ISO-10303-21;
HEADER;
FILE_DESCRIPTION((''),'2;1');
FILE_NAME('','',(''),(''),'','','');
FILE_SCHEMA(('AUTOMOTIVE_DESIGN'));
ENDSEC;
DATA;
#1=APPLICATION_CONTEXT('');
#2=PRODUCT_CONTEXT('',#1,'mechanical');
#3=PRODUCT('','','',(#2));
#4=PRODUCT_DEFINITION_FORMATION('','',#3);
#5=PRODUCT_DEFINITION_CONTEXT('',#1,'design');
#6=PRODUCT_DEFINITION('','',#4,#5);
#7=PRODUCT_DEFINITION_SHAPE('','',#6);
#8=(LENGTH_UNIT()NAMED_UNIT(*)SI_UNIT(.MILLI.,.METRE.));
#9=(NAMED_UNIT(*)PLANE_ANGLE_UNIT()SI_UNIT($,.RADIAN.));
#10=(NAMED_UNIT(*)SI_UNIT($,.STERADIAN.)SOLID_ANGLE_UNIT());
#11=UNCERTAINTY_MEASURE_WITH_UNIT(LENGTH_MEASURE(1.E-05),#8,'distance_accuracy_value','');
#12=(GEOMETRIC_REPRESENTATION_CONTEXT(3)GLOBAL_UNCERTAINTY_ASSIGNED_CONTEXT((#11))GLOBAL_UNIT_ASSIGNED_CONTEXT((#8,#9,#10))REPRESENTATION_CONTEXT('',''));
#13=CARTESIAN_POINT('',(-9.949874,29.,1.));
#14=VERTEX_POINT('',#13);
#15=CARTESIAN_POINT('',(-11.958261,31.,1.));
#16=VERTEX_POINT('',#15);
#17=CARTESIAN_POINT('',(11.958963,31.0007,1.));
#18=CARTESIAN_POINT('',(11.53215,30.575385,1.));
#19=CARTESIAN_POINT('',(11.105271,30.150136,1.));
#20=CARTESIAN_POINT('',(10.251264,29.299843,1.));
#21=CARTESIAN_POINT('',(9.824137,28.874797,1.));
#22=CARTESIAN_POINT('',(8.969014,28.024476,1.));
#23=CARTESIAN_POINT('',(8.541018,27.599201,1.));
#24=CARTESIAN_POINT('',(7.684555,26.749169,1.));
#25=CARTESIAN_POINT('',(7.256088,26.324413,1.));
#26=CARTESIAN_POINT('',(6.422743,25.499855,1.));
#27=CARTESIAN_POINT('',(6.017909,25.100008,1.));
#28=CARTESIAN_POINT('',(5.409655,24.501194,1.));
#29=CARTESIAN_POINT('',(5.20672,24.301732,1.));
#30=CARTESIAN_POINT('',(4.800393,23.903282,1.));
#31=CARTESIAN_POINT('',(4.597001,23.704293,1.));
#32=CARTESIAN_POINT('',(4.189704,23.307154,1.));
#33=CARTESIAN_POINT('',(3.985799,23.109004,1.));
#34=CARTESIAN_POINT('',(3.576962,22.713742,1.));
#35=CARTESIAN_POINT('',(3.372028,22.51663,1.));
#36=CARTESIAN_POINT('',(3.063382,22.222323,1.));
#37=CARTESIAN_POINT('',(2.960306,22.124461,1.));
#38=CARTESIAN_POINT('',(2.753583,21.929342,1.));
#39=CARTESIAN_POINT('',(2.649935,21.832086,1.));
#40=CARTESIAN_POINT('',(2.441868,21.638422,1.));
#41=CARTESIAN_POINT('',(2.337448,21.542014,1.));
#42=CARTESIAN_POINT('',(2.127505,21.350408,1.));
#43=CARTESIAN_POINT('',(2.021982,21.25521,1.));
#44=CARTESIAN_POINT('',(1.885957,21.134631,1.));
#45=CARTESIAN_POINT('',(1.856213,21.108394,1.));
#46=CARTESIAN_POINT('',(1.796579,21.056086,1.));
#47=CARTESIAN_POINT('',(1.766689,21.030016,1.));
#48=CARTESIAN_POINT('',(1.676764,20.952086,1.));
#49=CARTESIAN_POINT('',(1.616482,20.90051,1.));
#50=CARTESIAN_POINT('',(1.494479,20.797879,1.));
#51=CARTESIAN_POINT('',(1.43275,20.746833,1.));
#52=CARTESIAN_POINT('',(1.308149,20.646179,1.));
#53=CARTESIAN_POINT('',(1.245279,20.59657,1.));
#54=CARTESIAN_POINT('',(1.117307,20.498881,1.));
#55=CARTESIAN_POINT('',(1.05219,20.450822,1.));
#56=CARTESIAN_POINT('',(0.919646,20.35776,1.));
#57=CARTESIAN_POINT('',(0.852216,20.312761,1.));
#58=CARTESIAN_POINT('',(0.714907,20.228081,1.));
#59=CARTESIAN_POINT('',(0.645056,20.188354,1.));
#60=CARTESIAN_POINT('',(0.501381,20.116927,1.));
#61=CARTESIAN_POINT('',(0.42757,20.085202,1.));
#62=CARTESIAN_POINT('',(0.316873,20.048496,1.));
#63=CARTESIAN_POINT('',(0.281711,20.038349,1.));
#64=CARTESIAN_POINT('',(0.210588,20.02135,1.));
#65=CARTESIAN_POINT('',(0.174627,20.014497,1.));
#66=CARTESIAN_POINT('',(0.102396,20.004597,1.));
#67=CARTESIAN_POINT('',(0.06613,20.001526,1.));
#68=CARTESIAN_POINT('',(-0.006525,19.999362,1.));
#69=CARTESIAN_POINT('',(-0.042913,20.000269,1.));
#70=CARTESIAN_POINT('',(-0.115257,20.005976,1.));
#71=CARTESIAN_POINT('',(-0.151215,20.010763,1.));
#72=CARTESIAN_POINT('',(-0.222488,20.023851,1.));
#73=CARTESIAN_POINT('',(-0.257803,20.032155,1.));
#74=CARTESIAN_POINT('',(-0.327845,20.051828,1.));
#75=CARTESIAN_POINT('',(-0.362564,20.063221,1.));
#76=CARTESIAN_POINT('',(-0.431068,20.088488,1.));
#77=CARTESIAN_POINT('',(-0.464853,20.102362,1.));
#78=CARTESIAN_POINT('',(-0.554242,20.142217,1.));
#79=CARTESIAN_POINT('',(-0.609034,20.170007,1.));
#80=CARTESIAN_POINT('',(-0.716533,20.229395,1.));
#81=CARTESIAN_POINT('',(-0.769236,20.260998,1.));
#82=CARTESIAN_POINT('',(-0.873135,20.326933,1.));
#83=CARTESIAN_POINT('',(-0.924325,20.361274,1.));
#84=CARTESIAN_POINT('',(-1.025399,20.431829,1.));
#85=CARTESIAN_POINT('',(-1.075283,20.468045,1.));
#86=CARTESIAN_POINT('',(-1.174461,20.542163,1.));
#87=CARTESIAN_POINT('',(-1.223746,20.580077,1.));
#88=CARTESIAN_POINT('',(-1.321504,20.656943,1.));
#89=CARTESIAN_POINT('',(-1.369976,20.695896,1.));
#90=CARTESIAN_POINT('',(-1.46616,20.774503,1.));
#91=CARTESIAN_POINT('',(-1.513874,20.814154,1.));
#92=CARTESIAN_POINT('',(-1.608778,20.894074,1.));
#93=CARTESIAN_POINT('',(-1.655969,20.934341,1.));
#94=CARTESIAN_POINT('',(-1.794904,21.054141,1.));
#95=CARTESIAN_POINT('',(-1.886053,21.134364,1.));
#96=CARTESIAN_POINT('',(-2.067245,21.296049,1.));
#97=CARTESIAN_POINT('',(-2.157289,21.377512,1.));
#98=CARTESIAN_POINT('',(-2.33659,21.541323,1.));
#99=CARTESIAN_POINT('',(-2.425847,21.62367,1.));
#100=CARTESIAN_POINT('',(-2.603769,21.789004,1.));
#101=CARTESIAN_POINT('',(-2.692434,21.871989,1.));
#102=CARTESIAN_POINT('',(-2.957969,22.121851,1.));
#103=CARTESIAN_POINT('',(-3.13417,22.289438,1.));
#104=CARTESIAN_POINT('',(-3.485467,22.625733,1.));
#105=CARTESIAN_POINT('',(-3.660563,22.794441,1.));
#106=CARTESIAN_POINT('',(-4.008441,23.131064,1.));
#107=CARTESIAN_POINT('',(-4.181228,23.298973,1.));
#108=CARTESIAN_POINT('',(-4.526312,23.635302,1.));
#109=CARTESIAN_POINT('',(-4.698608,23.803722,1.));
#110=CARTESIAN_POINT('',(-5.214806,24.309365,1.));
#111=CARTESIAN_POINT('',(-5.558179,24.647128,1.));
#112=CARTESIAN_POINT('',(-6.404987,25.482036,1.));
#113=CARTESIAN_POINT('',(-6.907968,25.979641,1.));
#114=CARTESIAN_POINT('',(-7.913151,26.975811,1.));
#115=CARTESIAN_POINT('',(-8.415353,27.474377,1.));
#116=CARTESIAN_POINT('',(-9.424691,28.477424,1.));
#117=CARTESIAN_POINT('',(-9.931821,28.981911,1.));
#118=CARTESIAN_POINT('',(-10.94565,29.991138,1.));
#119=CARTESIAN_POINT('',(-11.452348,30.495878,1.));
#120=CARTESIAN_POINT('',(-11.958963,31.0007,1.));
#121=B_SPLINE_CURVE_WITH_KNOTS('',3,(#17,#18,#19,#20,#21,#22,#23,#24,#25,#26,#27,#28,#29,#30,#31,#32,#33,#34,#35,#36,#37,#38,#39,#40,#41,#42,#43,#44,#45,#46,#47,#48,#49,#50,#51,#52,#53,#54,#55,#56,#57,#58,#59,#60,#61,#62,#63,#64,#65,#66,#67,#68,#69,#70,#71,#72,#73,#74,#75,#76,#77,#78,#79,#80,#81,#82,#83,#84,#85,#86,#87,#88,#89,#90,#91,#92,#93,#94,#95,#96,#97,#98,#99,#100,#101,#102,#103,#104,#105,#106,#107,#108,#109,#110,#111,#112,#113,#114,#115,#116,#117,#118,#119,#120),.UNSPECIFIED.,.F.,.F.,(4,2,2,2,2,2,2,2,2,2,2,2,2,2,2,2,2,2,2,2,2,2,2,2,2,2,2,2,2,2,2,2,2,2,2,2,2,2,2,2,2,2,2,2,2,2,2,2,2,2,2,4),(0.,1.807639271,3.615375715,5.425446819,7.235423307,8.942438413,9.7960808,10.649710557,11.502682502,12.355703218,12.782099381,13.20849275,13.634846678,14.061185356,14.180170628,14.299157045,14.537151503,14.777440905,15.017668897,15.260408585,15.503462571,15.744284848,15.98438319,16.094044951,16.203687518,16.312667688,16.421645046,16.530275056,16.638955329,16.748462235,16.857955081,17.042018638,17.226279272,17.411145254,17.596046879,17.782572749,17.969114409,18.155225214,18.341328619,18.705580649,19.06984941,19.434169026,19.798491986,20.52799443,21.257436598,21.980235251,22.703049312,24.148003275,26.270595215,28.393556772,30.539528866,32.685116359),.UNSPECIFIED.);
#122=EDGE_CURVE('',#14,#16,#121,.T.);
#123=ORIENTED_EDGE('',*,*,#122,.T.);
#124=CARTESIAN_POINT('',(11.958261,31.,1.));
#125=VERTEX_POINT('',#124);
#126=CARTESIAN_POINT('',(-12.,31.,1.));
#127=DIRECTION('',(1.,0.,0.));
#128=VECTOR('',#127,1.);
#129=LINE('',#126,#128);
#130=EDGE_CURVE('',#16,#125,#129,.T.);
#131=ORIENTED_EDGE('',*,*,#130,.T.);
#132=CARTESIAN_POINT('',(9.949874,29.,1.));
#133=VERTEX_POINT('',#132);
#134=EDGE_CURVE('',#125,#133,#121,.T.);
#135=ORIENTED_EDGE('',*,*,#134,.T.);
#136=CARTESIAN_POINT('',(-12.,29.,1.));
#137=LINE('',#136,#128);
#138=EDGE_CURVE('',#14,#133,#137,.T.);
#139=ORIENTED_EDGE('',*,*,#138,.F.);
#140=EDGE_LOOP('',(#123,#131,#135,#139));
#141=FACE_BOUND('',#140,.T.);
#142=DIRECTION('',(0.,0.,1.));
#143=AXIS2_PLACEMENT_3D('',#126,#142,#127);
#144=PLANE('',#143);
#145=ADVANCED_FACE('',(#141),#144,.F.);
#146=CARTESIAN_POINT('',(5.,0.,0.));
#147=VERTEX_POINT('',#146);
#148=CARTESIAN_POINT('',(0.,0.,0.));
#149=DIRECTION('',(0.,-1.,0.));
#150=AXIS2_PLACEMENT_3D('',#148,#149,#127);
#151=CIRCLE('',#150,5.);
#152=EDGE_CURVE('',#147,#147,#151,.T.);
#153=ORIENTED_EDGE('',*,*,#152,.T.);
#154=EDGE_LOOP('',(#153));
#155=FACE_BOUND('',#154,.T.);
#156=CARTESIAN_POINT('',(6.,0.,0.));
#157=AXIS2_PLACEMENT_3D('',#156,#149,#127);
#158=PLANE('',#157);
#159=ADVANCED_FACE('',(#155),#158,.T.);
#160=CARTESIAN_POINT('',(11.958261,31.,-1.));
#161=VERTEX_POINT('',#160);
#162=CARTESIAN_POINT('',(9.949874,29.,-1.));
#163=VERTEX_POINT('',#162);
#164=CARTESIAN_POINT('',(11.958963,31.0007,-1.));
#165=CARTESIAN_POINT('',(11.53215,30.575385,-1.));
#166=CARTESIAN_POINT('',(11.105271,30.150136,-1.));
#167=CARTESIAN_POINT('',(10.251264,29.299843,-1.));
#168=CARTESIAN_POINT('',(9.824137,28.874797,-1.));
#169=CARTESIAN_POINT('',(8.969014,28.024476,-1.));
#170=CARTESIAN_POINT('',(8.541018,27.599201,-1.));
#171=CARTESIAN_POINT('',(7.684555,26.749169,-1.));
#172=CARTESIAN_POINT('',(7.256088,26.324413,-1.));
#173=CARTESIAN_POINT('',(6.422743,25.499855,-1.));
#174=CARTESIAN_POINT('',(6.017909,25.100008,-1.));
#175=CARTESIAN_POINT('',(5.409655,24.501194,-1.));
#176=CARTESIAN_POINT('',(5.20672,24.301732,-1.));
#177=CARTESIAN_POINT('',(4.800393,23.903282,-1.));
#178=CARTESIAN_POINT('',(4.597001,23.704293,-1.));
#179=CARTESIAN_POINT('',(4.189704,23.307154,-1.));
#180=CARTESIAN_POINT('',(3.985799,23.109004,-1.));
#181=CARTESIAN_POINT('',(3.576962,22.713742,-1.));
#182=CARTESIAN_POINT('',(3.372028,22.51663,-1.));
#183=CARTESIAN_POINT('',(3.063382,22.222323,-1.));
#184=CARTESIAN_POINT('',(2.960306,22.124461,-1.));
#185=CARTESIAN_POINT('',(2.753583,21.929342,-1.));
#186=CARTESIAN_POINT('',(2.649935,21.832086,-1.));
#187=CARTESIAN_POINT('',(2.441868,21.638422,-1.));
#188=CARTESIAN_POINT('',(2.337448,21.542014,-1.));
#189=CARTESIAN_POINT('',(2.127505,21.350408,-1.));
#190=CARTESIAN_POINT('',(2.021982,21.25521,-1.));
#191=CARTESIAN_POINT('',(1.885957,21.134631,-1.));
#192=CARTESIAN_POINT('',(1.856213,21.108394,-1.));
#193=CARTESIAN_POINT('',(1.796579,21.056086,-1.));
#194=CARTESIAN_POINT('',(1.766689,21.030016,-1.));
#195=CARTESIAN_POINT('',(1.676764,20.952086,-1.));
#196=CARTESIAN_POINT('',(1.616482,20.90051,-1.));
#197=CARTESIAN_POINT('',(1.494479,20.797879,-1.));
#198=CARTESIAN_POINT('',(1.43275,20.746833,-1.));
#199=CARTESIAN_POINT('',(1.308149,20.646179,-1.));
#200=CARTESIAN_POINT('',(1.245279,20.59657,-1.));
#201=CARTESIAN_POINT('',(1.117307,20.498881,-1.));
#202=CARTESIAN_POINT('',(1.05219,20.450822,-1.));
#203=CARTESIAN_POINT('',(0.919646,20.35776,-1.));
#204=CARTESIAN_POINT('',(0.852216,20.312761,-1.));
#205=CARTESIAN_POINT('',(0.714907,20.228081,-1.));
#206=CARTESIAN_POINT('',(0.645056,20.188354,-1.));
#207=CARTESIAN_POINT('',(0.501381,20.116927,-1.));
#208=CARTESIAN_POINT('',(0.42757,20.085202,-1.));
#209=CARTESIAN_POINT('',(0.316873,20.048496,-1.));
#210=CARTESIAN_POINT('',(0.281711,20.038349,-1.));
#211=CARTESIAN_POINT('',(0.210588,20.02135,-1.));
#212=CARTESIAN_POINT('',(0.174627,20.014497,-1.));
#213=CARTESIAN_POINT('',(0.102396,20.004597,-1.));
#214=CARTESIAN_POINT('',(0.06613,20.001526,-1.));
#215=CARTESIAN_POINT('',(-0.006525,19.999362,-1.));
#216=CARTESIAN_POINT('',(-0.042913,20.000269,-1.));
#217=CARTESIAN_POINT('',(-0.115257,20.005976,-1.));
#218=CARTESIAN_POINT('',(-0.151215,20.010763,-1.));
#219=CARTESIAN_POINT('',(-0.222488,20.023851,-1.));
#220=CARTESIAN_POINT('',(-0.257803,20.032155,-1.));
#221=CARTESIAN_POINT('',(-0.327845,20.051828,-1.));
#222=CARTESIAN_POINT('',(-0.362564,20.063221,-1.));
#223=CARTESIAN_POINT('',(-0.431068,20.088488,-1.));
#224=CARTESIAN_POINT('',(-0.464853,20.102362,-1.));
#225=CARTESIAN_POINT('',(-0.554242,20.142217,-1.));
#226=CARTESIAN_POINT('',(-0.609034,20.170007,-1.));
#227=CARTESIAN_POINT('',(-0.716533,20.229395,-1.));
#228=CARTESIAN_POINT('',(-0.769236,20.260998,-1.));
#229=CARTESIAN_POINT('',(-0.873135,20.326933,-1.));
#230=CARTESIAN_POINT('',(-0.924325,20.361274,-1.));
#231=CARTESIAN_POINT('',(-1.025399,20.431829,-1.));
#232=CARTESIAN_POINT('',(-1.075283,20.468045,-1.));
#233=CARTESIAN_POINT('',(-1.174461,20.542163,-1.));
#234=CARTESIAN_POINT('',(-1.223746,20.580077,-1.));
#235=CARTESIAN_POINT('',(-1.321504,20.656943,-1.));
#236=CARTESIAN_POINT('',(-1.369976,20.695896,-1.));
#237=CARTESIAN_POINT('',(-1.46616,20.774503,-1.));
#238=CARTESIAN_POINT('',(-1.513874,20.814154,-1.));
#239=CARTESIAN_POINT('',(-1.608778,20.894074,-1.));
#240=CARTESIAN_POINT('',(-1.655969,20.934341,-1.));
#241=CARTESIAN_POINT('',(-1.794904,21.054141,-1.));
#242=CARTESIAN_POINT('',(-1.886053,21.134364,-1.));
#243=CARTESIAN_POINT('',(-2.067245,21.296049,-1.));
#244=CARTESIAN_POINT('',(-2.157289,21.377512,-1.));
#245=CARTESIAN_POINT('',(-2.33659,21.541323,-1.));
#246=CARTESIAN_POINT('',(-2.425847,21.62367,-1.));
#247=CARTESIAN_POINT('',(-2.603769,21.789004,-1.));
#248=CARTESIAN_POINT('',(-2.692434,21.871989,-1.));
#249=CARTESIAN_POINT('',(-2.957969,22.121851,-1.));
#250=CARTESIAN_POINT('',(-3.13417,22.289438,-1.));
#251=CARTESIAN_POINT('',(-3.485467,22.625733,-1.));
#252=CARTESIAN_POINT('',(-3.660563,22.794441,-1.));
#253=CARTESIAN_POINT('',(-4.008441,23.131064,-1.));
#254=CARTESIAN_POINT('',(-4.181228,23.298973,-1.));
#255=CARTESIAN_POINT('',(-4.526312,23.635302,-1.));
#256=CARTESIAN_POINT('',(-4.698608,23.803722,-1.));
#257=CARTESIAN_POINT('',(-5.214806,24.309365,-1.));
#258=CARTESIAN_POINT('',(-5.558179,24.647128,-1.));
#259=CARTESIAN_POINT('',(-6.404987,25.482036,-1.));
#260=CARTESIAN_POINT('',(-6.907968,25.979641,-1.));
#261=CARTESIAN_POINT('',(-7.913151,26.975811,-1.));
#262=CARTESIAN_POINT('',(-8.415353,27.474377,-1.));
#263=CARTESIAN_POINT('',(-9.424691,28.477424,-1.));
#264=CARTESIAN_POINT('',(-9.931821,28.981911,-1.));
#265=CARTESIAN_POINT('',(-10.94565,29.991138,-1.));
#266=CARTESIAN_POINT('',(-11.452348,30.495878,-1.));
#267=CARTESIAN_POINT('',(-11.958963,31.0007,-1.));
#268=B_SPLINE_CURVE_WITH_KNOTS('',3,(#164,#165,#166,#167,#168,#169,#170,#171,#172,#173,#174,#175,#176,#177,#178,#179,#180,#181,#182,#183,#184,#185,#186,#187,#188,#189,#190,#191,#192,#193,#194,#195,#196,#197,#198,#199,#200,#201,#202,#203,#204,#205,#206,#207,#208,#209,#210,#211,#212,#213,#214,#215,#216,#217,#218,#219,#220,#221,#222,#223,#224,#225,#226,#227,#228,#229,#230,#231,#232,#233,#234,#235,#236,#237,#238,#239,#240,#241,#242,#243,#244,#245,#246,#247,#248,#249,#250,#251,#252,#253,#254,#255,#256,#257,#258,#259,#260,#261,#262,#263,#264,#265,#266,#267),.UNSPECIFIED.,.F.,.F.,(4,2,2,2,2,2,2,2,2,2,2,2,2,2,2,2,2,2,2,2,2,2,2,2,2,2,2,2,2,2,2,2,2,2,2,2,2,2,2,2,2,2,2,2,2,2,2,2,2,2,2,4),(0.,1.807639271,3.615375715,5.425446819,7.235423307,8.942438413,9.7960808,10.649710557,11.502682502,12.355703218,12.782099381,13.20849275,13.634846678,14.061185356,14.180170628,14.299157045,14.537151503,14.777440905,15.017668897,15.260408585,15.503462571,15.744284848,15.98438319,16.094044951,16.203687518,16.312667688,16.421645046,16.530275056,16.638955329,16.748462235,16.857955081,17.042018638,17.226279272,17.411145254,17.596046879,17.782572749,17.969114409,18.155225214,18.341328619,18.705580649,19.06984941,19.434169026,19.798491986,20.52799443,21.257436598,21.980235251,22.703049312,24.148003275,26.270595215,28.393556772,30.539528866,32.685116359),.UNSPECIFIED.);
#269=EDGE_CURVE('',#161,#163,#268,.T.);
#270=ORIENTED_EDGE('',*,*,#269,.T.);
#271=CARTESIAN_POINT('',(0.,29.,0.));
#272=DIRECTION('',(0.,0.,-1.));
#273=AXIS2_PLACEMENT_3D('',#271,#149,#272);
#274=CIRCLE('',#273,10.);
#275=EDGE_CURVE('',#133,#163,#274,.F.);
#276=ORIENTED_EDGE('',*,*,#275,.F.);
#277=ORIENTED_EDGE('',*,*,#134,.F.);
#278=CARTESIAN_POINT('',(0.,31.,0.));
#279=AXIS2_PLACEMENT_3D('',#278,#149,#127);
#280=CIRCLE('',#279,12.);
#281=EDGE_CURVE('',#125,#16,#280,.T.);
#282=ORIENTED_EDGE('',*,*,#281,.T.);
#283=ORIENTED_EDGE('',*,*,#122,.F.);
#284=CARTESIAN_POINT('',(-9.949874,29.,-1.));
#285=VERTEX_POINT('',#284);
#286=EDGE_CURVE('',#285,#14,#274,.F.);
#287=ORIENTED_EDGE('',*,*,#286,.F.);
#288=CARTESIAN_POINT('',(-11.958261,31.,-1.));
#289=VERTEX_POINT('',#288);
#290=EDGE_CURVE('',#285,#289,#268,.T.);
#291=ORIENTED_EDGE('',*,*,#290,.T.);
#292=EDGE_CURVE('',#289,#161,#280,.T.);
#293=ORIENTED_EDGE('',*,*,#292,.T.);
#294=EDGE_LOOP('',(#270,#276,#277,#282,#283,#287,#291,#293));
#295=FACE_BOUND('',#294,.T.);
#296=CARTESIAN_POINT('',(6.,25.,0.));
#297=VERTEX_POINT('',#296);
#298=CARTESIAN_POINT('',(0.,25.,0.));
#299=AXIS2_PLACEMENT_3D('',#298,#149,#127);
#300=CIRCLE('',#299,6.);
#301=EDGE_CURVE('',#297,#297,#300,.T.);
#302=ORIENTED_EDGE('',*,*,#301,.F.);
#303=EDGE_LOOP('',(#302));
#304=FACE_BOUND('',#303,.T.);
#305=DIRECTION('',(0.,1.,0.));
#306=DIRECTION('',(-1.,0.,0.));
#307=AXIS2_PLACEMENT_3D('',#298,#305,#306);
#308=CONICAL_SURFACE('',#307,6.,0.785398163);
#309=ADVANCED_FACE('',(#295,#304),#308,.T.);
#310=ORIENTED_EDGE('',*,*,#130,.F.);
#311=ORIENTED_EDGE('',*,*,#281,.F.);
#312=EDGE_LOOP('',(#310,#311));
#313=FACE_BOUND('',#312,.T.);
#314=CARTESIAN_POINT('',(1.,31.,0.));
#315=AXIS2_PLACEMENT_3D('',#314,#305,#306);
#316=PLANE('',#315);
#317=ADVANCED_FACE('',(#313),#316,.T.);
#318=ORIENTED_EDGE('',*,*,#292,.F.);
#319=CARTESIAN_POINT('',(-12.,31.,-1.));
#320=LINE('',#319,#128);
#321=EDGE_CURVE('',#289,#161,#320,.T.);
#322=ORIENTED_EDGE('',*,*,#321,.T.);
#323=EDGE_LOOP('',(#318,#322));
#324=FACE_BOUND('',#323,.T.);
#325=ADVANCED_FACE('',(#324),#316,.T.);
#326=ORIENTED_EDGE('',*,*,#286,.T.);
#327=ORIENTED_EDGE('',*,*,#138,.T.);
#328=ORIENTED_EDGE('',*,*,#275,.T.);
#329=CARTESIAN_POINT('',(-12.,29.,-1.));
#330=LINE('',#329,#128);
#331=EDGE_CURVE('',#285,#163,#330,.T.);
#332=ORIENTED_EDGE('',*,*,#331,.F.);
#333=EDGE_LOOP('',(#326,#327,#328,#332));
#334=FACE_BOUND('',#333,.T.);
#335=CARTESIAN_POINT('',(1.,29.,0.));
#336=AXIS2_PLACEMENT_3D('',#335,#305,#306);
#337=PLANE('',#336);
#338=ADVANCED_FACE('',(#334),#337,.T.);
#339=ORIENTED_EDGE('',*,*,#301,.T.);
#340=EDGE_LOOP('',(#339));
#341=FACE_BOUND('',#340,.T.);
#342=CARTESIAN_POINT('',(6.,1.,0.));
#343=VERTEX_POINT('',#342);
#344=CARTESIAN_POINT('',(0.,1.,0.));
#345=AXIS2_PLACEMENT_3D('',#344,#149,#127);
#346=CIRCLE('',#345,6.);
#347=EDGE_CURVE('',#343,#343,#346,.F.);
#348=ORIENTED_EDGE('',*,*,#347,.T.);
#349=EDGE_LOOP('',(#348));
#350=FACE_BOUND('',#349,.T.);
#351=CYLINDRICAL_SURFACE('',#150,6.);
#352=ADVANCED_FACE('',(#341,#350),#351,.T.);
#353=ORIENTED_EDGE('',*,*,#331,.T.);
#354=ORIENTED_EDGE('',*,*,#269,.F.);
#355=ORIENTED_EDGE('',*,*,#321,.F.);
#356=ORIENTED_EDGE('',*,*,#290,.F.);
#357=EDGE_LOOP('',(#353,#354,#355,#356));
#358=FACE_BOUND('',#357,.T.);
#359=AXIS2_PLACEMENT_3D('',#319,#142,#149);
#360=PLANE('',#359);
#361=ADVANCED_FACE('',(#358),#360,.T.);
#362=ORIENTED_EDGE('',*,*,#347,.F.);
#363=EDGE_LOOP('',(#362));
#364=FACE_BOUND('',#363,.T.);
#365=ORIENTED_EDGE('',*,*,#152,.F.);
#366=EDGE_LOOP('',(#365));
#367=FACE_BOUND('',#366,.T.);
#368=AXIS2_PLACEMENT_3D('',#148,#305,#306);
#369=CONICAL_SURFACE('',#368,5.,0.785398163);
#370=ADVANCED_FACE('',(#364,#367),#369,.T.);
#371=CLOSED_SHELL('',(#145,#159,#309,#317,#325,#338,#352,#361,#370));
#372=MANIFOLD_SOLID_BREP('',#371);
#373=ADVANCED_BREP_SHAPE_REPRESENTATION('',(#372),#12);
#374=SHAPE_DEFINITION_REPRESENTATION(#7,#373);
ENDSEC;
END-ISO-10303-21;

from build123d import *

# Parameters (mm, degrees)
CUT_EXTRUDE1_DEPTH      = 36.341194094
CUT_EXTRUDE1_DEPTH_BACK = 36.341194094
SKETCH3_W               = 2
SKETCH3_H               = 2
CHAMFER1_SIZE           = 1


with BuildPart() as part:
    # Sketch2 → Revolve1 (revolve)
    with BuildSketch(Plane.XY):
        Polygon((1, 31), (1, 29), (0, 29), (0, 0), (6, 0), (6, 25), (12, 31), align=None)
    revolve(axis=Axis((0, 0, 0), (0, 1, 0)))

    # Sketch3 → Cut-Extrude1 (cut, two sides: drawn at the far end of the back side and taken through both)
    with BuildSketch(Plane(origin=(0, 0, 0), x_dir=(0, 0, -1), z_dir=(1, 0, 0)).offset(-CUT_EXTRUDE1_DEPTH_BACK)):
        with Locations((0, 30)):
            Rectangle(SKETCH3_W, SKETCH3_H)
    extrude(amount=CUT_EXTRUDE1_DEPTH + CUT_EXTRUDE1_DEPTH_BACK, mode=Mode.SUBTRACT)

    # Chamfer1
    chamfer1_edges = [part.edges().sort_by_distance(p)[0] for p in [
        (-6, 0, 0),
    ]]
    chamfer(chamfer1_edges, length=CHAMFER1_SIZE)


solid = part.part
